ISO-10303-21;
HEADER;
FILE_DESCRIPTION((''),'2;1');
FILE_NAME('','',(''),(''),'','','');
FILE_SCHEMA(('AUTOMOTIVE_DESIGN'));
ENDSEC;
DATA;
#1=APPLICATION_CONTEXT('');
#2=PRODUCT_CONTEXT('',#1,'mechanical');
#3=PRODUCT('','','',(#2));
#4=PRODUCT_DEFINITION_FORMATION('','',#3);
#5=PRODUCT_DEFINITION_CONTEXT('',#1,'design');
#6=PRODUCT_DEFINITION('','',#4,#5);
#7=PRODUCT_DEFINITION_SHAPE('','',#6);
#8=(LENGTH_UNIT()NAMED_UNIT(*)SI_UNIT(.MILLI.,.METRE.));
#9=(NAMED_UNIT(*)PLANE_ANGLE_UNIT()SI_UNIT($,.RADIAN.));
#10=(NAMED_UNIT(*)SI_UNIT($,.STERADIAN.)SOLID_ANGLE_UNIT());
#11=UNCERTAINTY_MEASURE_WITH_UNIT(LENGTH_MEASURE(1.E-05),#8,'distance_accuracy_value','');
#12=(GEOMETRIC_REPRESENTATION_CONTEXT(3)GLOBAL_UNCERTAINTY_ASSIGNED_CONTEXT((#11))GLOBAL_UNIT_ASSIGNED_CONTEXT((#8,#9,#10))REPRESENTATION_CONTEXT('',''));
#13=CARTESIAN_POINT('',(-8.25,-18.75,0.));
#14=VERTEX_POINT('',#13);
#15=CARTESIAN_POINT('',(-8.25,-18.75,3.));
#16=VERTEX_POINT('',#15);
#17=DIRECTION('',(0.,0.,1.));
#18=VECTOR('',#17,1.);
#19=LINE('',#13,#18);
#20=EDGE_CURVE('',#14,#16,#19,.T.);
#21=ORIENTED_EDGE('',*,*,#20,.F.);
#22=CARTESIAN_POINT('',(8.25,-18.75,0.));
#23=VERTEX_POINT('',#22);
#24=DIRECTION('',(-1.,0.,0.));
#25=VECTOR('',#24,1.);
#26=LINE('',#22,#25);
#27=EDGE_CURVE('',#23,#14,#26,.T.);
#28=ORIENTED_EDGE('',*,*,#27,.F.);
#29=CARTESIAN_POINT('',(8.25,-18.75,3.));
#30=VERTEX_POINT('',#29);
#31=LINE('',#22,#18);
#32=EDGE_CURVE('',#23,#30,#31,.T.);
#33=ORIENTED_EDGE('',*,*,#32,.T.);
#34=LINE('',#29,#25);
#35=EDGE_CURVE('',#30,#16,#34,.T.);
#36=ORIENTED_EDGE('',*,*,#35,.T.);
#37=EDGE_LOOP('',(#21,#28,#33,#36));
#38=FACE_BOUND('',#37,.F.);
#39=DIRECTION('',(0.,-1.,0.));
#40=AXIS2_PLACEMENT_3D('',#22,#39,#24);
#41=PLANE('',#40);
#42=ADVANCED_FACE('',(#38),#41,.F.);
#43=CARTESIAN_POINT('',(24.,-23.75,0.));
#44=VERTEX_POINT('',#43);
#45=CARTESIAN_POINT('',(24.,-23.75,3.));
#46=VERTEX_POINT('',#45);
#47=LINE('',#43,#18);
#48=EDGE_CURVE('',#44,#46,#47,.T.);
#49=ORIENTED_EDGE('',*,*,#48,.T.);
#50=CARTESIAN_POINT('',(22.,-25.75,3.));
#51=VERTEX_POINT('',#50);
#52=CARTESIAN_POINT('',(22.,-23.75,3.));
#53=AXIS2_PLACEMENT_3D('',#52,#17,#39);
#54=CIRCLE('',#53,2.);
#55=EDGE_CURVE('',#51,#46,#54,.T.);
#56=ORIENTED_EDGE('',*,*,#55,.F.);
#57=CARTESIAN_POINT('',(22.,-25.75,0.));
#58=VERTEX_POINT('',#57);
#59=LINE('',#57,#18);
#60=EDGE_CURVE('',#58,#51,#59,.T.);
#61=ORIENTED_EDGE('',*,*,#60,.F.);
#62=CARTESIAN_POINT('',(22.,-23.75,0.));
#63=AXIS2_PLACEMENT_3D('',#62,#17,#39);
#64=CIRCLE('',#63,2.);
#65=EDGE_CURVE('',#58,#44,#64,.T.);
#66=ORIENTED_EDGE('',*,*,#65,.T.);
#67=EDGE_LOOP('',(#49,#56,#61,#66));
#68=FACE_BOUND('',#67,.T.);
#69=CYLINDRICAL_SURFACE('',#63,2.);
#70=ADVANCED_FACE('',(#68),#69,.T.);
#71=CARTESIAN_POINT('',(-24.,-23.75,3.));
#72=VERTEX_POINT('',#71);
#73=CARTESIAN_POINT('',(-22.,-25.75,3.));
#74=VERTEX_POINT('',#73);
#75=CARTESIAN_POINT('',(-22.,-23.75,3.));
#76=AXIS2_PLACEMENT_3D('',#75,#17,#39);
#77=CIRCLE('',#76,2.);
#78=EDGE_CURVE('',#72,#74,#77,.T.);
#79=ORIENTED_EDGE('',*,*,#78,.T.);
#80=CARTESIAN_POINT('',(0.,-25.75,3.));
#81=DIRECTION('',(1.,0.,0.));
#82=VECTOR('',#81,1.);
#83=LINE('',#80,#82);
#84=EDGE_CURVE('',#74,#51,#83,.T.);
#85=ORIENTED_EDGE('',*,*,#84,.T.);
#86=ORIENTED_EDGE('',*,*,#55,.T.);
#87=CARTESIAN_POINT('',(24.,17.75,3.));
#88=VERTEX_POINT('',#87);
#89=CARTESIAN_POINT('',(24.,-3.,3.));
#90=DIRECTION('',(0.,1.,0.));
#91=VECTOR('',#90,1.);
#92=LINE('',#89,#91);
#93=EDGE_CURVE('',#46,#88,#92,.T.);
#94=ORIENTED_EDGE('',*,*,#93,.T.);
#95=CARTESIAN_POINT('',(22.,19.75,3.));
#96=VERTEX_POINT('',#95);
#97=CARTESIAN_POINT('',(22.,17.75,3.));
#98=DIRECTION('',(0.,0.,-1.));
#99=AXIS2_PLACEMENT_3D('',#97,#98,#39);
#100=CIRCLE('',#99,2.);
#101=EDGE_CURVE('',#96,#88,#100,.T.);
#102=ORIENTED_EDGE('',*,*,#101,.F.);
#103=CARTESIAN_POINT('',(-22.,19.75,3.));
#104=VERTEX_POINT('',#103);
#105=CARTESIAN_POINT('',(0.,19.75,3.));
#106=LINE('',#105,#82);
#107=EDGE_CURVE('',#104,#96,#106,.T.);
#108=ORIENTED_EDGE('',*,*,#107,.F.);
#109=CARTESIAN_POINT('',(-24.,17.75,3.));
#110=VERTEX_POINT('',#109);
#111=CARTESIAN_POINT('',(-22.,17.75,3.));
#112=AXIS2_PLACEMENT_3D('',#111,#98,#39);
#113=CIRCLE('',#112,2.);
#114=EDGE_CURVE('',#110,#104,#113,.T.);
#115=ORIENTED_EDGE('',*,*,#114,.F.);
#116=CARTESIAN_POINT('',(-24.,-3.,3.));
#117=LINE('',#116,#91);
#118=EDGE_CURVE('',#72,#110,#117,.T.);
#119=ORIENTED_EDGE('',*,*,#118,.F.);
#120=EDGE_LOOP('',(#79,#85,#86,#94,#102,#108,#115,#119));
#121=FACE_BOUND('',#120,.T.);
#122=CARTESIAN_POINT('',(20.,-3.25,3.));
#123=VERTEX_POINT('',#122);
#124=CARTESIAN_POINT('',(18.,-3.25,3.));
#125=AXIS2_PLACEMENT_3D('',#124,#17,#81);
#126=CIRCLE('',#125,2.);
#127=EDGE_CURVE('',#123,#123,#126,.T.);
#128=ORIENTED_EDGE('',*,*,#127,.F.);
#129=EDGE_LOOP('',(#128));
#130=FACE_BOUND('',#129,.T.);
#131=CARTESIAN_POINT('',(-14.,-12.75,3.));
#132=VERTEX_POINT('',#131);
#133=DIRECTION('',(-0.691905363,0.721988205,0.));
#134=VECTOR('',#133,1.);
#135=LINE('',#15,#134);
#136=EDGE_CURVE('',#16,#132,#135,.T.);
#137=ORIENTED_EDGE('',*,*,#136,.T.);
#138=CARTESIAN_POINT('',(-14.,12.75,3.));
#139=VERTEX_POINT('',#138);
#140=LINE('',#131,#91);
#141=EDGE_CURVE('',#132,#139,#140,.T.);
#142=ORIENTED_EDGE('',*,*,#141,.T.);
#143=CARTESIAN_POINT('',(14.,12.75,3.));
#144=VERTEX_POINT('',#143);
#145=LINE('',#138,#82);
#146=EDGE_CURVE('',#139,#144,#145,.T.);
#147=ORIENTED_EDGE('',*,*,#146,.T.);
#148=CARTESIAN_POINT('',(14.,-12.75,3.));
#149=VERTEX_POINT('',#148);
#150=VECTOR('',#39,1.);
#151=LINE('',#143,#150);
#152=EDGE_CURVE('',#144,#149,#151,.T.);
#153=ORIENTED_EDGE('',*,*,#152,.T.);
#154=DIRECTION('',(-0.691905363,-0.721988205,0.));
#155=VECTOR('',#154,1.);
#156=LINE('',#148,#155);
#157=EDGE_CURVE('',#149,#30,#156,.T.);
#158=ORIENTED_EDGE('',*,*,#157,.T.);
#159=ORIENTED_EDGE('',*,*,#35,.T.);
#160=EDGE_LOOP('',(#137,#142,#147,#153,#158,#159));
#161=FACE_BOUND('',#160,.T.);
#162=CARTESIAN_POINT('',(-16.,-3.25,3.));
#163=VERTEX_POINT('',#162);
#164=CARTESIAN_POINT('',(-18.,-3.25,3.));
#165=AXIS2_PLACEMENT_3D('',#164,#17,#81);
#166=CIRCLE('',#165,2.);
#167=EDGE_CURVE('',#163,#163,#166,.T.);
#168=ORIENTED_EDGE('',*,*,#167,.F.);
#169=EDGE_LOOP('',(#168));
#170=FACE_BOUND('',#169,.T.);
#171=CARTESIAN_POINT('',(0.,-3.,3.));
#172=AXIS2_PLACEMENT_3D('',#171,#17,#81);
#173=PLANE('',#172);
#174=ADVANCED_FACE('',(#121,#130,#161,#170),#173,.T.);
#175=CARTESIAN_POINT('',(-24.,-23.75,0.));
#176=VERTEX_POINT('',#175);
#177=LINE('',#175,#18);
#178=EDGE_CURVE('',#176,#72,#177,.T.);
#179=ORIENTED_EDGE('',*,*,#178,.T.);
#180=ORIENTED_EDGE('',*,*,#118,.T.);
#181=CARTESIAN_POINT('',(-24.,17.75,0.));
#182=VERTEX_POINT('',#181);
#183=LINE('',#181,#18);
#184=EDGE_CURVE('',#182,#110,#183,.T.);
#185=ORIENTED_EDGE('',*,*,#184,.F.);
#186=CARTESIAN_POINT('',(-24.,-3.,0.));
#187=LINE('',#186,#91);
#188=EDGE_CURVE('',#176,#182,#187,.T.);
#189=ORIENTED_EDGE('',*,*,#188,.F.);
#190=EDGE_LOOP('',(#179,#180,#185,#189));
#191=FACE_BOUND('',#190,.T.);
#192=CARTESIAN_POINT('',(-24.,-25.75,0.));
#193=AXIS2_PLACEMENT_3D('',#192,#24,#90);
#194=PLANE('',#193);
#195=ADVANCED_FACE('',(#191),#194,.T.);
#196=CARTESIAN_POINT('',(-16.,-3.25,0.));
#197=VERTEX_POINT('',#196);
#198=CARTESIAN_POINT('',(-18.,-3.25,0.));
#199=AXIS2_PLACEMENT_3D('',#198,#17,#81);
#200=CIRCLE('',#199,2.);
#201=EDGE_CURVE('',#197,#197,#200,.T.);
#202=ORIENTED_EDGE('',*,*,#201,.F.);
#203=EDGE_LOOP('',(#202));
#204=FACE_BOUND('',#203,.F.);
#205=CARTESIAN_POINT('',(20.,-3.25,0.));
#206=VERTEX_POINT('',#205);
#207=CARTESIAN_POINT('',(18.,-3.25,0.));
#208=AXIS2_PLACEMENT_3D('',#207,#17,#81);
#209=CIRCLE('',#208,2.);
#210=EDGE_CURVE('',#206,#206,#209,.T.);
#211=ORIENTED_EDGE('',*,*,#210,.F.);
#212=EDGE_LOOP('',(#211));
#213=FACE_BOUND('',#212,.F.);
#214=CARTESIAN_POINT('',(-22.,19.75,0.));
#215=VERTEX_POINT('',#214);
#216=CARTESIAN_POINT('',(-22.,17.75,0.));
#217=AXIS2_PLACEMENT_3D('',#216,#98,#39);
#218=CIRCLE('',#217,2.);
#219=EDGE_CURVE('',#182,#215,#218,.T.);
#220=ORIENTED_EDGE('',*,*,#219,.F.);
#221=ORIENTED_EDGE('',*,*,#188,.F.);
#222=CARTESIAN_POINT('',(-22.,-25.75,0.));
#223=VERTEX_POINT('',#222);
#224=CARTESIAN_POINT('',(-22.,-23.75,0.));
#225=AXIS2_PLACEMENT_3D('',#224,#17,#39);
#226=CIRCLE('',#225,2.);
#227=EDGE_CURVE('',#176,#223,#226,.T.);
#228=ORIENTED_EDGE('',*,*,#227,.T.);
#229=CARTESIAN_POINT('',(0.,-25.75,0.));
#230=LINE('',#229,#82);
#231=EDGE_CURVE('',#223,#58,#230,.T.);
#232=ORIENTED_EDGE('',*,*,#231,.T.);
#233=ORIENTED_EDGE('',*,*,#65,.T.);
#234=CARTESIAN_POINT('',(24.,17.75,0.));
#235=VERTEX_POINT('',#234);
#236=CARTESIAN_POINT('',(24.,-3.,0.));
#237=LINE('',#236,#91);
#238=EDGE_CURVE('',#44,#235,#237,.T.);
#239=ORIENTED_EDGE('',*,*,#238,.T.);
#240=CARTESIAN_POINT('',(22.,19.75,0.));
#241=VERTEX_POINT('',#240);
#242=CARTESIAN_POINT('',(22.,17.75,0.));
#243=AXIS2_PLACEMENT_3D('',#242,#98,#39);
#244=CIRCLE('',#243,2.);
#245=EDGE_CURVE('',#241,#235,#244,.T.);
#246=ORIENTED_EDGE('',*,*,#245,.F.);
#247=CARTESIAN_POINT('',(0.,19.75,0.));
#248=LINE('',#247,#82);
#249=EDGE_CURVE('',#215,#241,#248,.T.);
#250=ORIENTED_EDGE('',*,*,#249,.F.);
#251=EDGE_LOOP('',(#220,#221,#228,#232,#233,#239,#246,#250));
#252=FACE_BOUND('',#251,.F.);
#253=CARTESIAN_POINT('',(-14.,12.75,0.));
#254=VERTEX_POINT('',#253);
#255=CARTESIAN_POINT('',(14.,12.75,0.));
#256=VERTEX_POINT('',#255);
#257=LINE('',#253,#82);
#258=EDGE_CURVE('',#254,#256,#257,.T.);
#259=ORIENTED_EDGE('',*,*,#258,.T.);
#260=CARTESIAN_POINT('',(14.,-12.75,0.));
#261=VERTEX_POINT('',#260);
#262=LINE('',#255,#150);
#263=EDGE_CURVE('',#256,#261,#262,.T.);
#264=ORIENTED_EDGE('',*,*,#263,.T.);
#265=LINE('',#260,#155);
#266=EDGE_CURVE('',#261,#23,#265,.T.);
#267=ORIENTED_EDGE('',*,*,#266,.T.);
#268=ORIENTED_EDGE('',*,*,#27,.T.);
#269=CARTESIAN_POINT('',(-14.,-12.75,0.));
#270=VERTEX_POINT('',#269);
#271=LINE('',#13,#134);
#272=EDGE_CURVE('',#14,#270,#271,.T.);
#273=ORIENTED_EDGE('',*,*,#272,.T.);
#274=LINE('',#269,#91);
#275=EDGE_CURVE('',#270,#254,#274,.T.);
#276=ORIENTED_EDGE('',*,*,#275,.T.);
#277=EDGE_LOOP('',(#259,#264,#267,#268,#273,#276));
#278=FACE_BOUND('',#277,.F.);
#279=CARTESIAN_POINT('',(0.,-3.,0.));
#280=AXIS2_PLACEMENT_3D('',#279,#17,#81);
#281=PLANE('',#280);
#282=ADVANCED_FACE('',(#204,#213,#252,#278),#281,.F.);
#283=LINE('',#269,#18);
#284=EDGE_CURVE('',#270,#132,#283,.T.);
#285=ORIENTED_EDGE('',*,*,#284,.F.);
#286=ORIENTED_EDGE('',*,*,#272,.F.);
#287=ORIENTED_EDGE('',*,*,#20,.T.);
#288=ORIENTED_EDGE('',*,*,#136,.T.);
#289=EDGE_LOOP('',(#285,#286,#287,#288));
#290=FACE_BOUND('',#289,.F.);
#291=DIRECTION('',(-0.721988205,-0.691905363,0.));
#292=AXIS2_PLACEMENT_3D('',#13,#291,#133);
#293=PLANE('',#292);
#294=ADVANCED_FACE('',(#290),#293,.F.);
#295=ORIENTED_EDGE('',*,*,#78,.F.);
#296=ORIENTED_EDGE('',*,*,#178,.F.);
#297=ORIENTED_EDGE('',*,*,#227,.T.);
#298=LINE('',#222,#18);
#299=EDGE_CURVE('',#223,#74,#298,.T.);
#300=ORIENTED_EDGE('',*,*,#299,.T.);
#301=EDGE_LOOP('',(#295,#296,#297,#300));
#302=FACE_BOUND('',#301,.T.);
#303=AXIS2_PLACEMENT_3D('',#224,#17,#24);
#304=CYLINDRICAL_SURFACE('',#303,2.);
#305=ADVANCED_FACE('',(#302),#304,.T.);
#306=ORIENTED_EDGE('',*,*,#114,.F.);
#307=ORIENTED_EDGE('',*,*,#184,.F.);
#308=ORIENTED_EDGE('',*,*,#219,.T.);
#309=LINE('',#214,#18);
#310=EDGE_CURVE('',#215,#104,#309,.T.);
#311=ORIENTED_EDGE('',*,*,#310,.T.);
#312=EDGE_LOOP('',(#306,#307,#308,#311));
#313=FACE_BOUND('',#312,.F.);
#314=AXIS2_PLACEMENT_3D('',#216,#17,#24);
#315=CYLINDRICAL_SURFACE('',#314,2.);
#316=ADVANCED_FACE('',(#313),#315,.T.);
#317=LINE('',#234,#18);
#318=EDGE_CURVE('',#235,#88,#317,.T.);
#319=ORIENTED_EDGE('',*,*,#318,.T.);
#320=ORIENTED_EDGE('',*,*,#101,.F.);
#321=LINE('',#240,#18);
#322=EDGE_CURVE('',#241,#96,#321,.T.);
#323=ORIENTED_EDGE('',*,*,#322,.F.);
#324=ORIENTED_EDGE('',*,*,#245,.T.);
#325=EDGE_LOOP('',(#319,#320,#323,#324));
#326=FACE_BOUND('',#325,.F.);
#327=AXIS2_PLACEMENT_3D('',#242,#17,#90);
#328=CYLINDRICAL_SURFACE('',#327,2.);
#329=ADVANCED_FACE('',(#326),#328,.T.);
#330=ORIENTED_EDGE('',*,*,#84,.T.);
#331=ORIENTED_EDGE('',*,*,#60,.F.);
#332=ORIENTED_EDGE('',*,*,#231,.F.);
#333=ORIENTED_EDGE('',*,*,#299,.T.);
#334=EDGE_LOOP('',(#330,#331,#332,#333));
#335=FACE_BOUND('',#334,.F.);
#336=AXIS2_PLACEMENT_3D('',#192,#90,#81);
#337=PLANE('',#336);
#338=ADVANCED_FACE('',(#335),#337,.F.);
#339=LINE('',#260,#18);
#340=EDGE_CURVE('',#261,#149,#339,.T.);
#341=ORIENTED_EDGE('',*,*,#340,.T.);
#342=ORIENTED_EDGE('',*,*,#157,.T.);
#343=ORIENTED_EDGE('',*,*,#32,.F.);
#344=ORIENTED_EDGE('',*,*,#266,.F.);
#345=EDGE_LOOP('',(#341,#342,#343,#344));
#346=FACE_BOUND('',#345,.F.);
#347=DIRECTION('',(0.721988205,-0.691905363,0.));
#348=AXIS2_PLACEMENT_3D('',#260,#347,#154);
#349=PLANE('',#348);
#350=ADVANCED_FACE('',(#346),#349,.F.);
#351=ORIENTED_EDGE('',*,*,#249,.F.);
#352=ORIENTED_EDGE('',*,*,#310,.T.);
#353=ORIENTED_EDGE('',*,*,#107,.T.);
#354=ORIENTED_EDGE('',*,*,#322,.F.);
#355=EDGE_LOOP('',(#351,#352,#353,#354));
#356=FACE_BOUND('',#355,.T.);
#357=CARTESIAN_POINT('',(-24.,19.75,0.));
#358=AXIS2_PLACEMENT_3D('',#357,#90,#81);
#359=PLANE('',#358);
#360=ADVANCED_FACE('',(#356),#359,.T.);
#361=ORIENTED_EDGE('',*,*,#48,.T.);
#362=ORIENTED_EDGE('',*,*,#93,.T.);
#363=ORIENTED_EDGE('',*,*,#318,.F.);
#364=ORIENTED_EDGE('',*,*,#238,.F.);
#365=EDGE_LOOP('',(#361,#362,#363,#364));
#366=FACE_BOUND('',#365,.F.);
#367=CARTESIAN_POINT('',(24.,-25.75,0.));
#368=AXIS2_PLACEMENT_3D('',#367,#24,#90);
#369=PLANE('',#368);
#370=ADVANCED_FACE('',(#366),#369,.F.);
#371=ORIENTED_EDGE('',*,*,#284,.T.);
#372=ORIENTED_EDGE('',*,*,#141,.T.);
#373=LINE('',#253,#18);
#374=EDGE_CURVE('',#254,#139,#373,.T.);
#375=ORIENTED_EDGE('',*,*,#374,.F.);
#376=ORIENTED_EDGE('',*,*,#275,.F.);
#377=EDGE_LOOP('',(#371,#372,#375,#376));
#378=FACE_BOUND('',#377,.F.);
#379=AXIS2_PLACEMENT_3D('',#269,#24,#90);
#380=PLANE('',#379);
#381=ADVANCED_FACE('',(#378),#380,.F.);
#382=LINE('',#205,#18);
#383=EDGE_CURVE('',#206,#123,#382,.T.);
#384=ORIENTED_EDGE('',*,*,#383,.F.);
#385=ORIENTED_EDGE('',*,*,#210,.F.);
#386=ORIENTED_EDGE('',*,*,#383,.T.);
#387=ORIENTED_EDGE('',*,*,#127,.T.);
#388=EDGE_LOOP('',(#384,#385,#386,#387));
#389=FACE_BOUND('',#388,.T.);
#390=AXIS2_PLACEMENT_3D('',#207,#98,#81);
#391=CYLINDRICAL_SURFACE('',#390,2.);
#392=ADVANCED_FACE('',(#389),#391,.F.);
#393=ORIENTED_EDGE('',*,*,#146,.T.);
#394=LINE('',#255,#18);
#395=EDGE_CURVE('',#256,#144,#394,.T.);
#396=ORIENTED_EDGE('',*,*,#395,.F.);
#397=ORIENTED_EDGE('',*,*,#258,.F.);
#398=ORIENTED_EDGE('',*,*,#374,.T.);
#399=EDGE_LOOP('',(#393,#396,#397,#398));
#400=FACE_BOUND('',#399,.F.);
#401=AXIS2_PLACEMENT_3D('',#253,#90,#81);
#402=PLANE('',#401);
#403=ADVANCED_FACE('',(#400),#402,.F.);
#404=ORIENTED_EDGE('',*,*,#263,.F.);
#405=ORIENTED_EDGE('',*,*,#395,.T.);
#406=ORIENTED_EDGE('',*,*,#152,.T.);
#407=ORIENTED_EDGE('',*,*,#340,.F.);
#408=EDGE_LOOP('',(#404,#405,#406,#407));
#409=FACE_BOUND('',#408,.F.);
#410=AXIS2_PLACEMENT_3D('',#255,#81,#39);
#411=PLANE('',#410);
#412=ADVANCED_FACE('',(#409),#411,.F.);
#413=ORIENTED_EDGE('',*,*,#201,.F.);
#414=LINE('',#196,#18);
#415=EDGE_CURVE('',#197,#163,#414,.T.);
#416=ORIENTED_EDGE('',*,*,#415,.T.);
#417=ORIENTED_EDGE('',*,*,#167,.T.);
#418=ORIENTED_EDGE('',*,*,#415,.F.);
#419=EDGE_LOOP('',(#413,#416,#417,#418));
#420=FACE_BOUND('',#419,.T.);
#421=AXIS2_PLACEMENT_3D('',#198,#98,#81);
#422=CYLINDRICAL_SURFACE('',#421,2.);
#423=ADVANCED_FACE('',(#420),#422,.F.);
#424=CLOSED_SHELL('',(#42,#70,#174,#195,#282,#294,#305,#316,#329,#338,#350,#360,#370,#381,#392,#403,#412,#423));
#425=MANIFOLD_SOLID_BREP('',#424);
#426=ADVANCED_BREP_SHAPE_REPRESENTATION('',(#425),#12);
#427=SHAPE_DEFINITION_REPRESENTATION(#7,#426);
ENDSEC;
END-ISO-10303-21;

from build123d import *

# Parameters (mm, degrees)
SKETCH_W  = 48
SKETCH_H  = 45.5
SKETCH_R  = 2
PAD_DEPTH = 3
FILLET_R  = 2


with BuildPart() as part:
    # Sketch → Pad (new body)
    with BuildSketch(Plane.XY):
        with Locations((0, -3)):
            Rectangle(SKETCH_W, SKETCH_H)
        with Locations((-18, -3.25)):
            Circle(SKETCH_R, mode=Mode.SUBTRACT)
        with Locations((18, -3.25)):
            Circle(SKETCH_R, mode=Mode.SUBTRACT)
        Polygon((-14, 12.75), (14, 12.75), (14, -12.75), (8.25, -18.75), (-8.25, -18.75), (-14, -12.75), align=None, mode=Mode.SUBTRACT)
    extrude(amount=PAD_DEPTH)

    # Fillet
    fillet_edges = [part.edges().sort_by_distance(p)[0] for p in [
        (-24, -25.75, 1.5),
        (24, -25.75, 1.5),
        (24, 19.75, 1.5),
        (-24, 19.75, 1.5),
    ]]
    fillet(fillet_edges, radius=FILLET_R)


solid = part.part
